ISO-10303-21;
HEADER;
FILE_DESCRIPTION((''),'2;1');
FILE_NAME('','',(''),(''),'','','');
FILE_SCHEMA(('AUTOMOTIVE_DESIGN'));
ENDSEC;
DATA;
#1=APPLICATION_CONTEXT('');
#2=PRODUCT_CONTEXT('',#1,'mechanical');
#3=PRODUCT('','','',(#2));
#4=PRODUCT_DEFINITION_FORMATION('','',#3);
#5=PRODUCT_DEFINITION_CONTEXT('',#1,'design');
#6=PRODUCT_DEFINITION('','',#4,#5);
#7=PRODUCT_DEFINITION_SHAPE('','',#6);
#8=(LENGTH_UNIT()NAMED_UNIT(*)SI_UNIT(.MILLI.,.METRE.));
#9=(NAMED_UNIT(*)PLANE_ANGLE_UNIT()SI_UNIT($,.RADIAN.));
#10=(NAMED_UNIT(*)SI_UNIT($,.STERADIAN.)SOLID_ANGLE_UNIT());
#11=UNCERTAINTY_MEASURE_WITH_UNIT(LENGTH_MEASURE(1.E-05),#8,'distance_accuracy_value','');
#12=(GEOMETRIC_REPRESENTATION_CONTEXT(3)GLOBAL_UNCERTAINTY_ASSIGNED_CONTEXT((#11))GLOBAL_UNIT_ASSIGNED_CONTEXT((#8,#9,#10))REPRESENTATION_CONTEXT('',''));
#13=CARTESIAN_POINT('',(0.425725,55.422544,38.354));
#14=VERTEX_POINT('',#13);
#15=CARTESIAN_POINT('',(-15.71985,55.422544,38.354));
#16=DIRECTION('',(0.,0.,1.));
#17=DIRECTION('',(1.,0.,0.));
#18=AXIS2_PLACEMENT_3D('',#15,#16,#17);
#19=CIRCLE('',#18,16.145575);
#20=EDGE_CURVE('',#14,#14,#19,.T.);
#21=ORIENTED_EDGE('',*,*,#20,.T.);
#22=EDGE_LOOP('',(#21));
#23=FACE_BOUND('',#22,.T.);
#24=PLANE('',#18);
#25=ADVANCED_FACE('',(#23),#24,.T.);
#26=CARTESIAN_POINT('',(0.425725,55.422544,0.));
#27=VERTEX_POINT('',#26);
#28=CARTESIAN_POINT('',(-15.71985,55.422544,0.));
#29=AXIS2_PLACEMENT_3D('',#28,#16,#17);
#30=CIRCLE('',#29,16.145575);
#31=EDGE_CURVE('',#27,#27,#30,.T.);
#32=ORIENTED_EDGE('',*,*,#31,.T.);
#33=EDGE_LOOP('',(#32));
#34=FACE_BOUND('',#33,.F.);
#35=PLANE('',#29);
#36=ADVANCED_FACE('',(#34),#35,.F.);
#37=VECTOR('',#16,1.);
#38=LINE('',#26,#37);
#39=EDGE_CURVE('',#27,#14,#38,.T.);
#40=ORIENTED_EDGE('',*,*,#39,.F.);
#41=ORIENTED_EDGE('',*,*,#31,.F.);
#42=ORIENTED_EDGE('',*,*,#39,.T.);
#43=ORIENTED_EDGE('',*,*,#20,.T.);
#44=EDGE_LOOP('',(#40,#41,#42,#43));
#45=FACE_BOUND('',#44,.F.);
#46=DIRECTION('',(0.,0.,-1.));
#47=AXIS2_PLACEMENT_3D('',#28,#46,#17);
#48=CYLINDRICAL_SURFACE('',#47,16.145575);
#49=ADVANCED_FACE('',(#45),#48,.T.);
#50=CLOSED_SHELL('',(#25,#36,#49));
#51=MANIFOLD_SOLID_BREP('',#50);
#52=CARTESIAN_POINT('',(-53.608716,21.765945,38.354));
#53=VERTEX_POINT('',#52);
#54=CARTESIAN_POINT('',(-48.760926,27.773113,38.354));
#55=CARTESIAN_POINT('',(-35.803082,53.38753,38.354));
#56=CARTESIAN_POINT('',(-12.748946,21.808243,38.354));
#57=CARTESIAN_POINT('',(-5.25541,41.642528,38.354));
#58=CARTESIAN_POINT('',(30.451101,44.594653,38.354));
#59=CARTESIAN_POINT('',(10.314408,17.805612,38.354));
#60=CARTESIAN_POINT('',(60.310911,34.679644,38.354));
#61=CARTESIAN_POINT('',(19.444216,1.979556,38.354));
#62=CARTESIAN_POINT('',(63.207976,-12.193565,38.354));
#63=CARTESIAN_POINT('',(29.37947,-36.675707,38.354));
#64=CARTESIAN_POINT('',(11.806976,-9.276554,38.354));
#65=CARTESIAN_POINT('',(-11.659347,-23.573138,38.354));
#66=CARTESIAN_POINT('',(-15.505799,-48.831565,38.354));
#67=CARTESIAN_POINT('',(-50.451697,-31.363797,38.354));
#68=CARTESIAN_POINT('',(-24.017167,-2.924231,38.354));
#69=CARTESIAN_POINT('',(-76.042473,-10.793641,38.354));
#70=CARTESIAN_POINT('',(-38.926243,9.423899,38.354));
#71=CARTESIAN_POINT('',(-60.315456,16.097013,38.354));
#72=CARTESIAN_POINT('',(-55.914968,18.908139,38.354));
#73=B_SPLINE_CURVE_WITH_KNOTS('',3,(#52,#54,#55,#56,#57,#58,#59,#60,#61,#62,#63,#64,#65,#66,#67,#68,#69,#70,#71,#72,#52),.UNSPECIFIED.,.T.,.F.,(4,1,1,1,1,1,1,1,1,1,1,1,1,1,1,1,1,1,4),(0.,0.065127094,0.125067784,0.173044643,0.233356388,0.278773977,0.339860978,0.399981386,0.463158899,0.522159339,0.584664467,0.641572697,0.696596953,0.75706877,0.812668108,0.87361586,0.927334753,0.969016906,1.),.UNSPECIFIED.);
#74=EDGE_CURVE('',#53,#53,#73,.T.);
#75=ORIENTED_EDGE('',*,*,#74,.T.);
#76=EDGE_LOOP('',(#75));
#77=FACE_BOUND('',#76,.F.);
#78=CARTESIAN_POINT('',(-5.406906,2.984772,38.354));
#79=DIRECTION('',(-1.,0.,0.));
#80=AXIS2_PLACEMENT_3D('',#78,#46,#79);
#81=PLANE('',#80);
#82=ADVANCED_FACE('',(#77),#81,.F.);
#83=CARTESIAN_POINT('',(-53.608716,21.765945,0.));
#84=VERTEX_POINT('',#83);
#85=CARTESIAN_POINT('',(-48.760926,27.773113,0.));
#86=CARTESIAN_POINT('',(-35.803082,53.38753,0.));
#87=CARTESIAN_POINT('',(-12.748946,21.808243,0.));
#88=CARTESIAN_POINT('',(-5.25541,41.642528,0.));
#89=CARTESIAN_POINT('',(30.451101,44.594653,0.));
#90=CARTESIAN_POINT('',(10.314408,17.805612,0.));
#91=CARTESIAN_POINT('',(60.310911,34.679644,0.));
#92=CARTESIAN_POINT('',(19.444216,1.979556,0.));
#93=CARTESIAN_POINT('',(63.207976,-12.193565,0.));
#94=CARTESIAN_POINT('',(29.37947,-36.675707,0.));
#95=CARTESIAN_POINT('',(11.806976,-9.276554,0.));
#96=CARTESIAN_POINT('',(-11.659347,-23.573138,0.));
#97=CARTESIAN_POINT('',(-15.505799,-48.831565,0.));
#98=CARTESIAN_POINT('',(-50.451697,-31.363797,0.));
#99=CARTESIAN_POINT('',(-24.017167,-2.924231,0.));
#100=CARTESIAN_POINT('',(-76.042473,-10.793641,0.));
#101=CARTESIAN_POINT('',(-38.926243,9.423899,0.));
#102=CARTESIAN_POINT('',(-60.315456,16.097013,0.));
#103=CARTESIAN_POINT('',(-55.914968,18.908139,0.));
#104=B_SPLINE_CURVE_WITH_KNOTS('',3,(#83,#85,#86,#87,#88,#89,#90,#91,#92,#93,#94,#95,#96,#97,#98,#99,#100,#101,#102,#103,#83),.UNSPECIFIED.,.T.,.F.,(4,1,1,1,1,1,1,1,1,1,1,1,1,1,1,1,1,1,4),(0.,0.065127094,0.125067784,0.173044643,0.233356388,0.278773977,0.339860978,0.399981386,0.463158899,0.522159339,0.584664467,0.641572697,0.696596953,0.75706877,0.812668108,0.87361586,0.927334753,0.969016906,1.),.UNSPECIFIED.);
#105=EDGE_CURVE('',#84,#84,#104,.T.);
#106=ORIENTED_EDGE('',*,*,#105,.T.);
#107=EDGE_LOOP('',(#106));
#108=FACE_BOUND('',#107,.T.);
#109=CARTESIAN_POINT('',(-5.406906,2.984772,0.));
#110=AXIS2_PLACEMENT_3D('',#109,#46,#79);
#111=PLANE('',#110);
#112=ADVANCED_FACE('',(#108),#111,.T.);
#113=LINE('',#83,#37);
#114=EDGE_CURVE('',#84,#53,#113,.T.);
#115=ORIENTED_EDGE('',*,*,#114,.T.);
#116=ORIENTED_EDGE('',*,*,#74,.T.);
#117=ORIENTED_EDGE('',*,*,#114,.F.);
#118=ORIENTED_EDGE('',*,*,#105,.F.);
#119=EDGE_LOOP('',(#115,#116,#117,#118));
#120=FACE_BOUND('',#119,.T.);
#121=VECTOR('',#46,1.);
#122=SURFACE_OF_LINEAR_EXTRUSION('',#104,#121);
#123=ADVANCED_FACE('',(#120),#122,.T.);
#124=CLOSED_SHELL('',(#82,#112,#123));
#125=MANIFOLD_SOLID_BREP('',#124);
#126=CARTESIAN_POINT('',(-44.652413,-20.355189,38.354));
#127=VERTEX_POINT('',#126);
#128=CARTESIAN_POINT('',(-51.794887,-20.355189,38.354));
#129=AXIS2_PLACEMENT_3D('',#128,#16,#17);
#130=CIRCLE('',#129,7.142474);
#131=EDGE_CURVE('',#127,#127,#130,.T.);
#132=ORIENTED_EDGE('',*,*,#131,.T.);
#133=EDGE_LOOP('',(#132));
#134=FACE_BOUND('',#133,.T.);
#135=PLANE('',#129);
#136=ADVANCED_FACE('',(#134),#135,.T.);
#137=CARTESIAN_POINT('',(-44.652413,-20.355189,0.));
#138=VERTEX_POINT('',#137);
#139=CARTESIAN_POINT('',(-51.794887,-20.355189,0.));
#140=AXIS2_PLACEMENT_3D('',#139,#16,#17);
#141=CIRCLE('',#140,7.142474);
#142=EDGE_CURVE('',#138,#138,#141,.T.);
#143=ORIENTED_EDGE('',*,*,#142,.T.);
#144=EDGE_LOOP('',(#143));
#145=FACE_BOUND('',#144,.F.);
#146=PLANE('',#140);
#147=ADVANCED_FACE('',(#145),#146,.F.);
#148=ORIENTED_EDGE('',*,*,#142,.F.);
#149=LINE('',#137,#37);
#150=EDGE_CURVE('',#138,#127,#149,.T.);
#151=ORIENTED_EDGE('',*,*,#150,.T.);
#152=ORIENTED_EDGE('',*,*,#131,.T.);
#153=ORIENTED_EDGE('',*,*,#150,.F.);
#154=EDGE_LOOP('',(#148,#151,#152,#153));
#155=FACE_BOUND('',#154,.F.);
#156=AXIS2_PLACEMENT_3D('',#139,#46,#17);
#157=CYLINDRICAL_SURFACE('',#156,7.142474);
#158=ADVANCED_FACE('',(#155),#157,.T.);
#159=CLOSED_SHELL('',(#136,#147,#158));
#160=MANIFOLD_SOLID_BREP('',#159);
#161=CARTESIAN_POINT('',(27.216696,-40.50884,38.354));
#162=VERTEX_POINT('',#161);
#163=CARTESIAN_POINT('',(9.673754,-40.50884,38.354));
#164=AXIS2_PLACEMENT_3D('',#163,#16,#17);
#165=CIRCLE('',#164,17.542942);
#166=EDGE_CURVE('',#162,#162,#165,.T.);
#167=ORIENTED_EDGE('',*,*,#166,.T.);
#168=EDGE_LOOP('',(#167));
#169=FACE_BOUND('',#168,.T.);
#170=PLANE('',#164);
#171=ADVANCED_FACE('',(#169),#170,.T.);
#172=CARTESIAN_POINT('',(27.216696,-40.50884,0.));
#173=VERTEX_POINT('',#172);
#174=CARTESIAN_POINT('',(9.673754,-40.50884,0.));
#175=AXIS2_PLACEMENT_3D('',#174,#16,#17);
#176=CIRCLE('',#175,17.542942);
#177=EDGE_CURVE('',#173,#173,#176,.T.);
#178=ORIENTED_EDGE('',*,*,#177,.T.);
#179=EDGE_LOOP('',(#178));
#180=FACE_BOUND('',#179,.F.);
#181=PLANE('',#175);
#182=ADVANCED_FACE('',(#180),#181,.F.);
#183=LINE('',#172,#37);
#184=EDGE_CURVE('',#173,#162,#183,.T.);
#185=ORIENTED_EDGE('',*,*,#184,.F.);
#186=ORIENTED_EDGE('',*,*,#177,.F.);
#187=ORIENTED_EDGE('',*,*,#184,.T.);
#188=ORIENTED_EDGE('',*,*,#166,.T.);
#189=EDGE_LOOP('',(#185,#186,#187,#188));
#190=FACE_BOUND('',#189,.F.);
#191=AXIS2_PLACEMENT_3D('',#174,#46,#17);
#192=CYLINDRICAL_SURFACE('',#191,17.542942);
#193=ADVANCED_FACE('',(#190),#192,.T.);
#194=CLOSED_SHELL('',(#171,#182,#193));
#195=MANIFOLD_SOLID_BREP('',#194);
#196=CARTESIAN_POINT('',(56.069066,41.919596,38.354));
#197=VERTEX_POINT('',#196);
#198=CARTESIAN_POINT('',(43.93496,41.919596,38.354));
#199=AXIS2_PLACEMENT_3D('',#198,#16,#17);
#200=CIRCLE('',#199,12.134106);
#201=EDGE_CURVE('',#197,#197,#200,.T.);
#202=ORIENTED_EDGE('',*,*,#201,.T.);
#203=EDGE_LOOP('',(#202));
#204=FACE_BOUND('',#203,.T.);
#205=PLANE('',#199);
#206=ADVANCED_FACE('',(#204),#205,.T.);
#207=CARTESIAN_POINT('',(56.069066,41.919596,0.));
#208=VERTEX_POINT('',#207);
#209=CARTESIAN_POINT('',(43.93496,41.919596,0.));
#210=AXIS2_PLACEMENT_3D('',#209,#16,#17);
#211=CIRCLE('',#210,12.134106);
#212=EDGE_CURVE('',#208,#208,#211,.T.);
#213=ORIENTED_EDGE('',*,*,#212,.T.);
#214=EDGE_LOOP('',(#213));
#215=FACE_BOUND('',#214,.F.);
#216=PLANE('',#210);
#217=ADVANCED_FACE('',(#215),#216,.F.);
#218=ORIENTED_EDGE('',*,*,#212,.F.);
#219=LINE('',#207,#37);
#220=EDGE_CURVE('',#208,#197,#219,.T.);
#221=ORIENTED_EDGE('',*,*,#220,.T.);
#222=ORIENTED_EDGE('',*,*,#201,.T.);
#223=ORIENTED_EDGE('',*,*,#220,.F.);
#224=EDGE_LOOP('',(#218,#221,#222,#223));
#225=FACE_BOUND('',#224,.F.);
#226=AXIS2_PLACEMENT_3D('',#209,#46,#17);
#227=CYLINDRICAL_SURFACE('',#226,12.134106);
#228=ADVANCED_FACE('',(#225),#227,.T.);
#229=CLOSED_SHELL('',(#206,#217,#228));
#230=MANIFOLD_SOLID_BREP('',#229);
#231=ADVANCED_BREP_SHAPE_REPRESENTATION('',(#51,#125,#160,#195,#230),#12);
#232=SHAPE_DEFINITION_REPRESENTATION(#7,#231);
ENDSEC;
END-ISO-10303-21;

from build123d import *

# Parameters (mm, degrees)
F1_DEPTH = 38.354
F0_R     = 16.1455751074
F0_R_2   = 12.1341062478
F0_R_3   = 17.5429418125
F0_R_4   = 7.1424738491


with BuildPart() as f1:
    # F0 (on Top) → F1 (new body)
    with BuildSketch(Plane.XY):
        with BuildLine():
            add(Edge.make_bspline(
                [(-53.6087155342, 21.7659454793), (-48.7609262204, 27.7731133137), (-35.8030822857, 53.3875295377), (-12.748946189, 21.8082434388), (-5.2554095497, 41.642527542), (30.4511010624, 44.5946533063), (10.3144077447, 17.8056123126), (60.3109111763, 34.6796439458), (19.4442162942, 1.97955556), (63.207976283, -12.1935652274), (29.3794695897, -36.6757068344), (11.8069756637, -9.2765540436), (-11.6593472435, -23.5731384551), (-15.5057993198, -48.8315646659), (-50.4516973959, -31.3637973216), (-24.0171672261, -2.9242308245), (-76.0424731757, -10.7936405522), (-38.9262432097, 9.4238990346), (-60.3154555459, 16.0970134843), (-55.9149678386, 18.9081388042), (-53.6087155342, 21.7659454793)],
                knots=[0, 0, 0, 0, 0.0651270944, 0.1250677843, 0.1730446425, 0.2333563875, 0.2787739773, 0.3398609779, 0.3999813855, 0.4631588985, 0.5221593393, 0.5846644668, 0.6415726973, 0.6965969531, 0.7570687705, 0.8126681083, 0.8736158599, 0.9273347528, 0.9690169061, 1, 1, 1, 1], degree=3))
        make_face()
    extrude(amount=F1_DEPTH)


with BuildPart() as f1b:
    # F0 (on Top) → F1, piece 2 (new body)
    with BuildSketch(Plane.XY):
        with Locations((-15.7198496163, 55.4225444794)):
            Circle(F0_R)
    extrude(amount=F1_DEPTH)


with BuildPart() as f1c:
    # F0 (on Top) → F1, piece 3 (new body)
    with BuildSketch(Plane.XY):
        with Locations((43.9349599183, 41.9195964932)):
            Circle(F0_R_2)
    extrude(amount=F1_DEPTH)


with BuildPart() as f1d:
    # F0 (on Top) → F1, piece 4 (new body)
    with BuildSketch(Plane.XY):
        with Locations((9.6737537533, -40.5088402331)):
            Circle(F0_R_3)
    extrude(amount=F1_DEPTH)


with BuildPart() as f1e:
    # F0 (on Top) → F1, piece 5 (new body)
    with BuildSketch(Plane.XY):
        with Locations((-51.7948865891, -20.3551892191)):
            Circle(F0_R_4)
    extrude(amount=F1_DEPTH)


solid = Compound([f1.part, f1b.part, f1c.part, f1d.part, f1e.part])
